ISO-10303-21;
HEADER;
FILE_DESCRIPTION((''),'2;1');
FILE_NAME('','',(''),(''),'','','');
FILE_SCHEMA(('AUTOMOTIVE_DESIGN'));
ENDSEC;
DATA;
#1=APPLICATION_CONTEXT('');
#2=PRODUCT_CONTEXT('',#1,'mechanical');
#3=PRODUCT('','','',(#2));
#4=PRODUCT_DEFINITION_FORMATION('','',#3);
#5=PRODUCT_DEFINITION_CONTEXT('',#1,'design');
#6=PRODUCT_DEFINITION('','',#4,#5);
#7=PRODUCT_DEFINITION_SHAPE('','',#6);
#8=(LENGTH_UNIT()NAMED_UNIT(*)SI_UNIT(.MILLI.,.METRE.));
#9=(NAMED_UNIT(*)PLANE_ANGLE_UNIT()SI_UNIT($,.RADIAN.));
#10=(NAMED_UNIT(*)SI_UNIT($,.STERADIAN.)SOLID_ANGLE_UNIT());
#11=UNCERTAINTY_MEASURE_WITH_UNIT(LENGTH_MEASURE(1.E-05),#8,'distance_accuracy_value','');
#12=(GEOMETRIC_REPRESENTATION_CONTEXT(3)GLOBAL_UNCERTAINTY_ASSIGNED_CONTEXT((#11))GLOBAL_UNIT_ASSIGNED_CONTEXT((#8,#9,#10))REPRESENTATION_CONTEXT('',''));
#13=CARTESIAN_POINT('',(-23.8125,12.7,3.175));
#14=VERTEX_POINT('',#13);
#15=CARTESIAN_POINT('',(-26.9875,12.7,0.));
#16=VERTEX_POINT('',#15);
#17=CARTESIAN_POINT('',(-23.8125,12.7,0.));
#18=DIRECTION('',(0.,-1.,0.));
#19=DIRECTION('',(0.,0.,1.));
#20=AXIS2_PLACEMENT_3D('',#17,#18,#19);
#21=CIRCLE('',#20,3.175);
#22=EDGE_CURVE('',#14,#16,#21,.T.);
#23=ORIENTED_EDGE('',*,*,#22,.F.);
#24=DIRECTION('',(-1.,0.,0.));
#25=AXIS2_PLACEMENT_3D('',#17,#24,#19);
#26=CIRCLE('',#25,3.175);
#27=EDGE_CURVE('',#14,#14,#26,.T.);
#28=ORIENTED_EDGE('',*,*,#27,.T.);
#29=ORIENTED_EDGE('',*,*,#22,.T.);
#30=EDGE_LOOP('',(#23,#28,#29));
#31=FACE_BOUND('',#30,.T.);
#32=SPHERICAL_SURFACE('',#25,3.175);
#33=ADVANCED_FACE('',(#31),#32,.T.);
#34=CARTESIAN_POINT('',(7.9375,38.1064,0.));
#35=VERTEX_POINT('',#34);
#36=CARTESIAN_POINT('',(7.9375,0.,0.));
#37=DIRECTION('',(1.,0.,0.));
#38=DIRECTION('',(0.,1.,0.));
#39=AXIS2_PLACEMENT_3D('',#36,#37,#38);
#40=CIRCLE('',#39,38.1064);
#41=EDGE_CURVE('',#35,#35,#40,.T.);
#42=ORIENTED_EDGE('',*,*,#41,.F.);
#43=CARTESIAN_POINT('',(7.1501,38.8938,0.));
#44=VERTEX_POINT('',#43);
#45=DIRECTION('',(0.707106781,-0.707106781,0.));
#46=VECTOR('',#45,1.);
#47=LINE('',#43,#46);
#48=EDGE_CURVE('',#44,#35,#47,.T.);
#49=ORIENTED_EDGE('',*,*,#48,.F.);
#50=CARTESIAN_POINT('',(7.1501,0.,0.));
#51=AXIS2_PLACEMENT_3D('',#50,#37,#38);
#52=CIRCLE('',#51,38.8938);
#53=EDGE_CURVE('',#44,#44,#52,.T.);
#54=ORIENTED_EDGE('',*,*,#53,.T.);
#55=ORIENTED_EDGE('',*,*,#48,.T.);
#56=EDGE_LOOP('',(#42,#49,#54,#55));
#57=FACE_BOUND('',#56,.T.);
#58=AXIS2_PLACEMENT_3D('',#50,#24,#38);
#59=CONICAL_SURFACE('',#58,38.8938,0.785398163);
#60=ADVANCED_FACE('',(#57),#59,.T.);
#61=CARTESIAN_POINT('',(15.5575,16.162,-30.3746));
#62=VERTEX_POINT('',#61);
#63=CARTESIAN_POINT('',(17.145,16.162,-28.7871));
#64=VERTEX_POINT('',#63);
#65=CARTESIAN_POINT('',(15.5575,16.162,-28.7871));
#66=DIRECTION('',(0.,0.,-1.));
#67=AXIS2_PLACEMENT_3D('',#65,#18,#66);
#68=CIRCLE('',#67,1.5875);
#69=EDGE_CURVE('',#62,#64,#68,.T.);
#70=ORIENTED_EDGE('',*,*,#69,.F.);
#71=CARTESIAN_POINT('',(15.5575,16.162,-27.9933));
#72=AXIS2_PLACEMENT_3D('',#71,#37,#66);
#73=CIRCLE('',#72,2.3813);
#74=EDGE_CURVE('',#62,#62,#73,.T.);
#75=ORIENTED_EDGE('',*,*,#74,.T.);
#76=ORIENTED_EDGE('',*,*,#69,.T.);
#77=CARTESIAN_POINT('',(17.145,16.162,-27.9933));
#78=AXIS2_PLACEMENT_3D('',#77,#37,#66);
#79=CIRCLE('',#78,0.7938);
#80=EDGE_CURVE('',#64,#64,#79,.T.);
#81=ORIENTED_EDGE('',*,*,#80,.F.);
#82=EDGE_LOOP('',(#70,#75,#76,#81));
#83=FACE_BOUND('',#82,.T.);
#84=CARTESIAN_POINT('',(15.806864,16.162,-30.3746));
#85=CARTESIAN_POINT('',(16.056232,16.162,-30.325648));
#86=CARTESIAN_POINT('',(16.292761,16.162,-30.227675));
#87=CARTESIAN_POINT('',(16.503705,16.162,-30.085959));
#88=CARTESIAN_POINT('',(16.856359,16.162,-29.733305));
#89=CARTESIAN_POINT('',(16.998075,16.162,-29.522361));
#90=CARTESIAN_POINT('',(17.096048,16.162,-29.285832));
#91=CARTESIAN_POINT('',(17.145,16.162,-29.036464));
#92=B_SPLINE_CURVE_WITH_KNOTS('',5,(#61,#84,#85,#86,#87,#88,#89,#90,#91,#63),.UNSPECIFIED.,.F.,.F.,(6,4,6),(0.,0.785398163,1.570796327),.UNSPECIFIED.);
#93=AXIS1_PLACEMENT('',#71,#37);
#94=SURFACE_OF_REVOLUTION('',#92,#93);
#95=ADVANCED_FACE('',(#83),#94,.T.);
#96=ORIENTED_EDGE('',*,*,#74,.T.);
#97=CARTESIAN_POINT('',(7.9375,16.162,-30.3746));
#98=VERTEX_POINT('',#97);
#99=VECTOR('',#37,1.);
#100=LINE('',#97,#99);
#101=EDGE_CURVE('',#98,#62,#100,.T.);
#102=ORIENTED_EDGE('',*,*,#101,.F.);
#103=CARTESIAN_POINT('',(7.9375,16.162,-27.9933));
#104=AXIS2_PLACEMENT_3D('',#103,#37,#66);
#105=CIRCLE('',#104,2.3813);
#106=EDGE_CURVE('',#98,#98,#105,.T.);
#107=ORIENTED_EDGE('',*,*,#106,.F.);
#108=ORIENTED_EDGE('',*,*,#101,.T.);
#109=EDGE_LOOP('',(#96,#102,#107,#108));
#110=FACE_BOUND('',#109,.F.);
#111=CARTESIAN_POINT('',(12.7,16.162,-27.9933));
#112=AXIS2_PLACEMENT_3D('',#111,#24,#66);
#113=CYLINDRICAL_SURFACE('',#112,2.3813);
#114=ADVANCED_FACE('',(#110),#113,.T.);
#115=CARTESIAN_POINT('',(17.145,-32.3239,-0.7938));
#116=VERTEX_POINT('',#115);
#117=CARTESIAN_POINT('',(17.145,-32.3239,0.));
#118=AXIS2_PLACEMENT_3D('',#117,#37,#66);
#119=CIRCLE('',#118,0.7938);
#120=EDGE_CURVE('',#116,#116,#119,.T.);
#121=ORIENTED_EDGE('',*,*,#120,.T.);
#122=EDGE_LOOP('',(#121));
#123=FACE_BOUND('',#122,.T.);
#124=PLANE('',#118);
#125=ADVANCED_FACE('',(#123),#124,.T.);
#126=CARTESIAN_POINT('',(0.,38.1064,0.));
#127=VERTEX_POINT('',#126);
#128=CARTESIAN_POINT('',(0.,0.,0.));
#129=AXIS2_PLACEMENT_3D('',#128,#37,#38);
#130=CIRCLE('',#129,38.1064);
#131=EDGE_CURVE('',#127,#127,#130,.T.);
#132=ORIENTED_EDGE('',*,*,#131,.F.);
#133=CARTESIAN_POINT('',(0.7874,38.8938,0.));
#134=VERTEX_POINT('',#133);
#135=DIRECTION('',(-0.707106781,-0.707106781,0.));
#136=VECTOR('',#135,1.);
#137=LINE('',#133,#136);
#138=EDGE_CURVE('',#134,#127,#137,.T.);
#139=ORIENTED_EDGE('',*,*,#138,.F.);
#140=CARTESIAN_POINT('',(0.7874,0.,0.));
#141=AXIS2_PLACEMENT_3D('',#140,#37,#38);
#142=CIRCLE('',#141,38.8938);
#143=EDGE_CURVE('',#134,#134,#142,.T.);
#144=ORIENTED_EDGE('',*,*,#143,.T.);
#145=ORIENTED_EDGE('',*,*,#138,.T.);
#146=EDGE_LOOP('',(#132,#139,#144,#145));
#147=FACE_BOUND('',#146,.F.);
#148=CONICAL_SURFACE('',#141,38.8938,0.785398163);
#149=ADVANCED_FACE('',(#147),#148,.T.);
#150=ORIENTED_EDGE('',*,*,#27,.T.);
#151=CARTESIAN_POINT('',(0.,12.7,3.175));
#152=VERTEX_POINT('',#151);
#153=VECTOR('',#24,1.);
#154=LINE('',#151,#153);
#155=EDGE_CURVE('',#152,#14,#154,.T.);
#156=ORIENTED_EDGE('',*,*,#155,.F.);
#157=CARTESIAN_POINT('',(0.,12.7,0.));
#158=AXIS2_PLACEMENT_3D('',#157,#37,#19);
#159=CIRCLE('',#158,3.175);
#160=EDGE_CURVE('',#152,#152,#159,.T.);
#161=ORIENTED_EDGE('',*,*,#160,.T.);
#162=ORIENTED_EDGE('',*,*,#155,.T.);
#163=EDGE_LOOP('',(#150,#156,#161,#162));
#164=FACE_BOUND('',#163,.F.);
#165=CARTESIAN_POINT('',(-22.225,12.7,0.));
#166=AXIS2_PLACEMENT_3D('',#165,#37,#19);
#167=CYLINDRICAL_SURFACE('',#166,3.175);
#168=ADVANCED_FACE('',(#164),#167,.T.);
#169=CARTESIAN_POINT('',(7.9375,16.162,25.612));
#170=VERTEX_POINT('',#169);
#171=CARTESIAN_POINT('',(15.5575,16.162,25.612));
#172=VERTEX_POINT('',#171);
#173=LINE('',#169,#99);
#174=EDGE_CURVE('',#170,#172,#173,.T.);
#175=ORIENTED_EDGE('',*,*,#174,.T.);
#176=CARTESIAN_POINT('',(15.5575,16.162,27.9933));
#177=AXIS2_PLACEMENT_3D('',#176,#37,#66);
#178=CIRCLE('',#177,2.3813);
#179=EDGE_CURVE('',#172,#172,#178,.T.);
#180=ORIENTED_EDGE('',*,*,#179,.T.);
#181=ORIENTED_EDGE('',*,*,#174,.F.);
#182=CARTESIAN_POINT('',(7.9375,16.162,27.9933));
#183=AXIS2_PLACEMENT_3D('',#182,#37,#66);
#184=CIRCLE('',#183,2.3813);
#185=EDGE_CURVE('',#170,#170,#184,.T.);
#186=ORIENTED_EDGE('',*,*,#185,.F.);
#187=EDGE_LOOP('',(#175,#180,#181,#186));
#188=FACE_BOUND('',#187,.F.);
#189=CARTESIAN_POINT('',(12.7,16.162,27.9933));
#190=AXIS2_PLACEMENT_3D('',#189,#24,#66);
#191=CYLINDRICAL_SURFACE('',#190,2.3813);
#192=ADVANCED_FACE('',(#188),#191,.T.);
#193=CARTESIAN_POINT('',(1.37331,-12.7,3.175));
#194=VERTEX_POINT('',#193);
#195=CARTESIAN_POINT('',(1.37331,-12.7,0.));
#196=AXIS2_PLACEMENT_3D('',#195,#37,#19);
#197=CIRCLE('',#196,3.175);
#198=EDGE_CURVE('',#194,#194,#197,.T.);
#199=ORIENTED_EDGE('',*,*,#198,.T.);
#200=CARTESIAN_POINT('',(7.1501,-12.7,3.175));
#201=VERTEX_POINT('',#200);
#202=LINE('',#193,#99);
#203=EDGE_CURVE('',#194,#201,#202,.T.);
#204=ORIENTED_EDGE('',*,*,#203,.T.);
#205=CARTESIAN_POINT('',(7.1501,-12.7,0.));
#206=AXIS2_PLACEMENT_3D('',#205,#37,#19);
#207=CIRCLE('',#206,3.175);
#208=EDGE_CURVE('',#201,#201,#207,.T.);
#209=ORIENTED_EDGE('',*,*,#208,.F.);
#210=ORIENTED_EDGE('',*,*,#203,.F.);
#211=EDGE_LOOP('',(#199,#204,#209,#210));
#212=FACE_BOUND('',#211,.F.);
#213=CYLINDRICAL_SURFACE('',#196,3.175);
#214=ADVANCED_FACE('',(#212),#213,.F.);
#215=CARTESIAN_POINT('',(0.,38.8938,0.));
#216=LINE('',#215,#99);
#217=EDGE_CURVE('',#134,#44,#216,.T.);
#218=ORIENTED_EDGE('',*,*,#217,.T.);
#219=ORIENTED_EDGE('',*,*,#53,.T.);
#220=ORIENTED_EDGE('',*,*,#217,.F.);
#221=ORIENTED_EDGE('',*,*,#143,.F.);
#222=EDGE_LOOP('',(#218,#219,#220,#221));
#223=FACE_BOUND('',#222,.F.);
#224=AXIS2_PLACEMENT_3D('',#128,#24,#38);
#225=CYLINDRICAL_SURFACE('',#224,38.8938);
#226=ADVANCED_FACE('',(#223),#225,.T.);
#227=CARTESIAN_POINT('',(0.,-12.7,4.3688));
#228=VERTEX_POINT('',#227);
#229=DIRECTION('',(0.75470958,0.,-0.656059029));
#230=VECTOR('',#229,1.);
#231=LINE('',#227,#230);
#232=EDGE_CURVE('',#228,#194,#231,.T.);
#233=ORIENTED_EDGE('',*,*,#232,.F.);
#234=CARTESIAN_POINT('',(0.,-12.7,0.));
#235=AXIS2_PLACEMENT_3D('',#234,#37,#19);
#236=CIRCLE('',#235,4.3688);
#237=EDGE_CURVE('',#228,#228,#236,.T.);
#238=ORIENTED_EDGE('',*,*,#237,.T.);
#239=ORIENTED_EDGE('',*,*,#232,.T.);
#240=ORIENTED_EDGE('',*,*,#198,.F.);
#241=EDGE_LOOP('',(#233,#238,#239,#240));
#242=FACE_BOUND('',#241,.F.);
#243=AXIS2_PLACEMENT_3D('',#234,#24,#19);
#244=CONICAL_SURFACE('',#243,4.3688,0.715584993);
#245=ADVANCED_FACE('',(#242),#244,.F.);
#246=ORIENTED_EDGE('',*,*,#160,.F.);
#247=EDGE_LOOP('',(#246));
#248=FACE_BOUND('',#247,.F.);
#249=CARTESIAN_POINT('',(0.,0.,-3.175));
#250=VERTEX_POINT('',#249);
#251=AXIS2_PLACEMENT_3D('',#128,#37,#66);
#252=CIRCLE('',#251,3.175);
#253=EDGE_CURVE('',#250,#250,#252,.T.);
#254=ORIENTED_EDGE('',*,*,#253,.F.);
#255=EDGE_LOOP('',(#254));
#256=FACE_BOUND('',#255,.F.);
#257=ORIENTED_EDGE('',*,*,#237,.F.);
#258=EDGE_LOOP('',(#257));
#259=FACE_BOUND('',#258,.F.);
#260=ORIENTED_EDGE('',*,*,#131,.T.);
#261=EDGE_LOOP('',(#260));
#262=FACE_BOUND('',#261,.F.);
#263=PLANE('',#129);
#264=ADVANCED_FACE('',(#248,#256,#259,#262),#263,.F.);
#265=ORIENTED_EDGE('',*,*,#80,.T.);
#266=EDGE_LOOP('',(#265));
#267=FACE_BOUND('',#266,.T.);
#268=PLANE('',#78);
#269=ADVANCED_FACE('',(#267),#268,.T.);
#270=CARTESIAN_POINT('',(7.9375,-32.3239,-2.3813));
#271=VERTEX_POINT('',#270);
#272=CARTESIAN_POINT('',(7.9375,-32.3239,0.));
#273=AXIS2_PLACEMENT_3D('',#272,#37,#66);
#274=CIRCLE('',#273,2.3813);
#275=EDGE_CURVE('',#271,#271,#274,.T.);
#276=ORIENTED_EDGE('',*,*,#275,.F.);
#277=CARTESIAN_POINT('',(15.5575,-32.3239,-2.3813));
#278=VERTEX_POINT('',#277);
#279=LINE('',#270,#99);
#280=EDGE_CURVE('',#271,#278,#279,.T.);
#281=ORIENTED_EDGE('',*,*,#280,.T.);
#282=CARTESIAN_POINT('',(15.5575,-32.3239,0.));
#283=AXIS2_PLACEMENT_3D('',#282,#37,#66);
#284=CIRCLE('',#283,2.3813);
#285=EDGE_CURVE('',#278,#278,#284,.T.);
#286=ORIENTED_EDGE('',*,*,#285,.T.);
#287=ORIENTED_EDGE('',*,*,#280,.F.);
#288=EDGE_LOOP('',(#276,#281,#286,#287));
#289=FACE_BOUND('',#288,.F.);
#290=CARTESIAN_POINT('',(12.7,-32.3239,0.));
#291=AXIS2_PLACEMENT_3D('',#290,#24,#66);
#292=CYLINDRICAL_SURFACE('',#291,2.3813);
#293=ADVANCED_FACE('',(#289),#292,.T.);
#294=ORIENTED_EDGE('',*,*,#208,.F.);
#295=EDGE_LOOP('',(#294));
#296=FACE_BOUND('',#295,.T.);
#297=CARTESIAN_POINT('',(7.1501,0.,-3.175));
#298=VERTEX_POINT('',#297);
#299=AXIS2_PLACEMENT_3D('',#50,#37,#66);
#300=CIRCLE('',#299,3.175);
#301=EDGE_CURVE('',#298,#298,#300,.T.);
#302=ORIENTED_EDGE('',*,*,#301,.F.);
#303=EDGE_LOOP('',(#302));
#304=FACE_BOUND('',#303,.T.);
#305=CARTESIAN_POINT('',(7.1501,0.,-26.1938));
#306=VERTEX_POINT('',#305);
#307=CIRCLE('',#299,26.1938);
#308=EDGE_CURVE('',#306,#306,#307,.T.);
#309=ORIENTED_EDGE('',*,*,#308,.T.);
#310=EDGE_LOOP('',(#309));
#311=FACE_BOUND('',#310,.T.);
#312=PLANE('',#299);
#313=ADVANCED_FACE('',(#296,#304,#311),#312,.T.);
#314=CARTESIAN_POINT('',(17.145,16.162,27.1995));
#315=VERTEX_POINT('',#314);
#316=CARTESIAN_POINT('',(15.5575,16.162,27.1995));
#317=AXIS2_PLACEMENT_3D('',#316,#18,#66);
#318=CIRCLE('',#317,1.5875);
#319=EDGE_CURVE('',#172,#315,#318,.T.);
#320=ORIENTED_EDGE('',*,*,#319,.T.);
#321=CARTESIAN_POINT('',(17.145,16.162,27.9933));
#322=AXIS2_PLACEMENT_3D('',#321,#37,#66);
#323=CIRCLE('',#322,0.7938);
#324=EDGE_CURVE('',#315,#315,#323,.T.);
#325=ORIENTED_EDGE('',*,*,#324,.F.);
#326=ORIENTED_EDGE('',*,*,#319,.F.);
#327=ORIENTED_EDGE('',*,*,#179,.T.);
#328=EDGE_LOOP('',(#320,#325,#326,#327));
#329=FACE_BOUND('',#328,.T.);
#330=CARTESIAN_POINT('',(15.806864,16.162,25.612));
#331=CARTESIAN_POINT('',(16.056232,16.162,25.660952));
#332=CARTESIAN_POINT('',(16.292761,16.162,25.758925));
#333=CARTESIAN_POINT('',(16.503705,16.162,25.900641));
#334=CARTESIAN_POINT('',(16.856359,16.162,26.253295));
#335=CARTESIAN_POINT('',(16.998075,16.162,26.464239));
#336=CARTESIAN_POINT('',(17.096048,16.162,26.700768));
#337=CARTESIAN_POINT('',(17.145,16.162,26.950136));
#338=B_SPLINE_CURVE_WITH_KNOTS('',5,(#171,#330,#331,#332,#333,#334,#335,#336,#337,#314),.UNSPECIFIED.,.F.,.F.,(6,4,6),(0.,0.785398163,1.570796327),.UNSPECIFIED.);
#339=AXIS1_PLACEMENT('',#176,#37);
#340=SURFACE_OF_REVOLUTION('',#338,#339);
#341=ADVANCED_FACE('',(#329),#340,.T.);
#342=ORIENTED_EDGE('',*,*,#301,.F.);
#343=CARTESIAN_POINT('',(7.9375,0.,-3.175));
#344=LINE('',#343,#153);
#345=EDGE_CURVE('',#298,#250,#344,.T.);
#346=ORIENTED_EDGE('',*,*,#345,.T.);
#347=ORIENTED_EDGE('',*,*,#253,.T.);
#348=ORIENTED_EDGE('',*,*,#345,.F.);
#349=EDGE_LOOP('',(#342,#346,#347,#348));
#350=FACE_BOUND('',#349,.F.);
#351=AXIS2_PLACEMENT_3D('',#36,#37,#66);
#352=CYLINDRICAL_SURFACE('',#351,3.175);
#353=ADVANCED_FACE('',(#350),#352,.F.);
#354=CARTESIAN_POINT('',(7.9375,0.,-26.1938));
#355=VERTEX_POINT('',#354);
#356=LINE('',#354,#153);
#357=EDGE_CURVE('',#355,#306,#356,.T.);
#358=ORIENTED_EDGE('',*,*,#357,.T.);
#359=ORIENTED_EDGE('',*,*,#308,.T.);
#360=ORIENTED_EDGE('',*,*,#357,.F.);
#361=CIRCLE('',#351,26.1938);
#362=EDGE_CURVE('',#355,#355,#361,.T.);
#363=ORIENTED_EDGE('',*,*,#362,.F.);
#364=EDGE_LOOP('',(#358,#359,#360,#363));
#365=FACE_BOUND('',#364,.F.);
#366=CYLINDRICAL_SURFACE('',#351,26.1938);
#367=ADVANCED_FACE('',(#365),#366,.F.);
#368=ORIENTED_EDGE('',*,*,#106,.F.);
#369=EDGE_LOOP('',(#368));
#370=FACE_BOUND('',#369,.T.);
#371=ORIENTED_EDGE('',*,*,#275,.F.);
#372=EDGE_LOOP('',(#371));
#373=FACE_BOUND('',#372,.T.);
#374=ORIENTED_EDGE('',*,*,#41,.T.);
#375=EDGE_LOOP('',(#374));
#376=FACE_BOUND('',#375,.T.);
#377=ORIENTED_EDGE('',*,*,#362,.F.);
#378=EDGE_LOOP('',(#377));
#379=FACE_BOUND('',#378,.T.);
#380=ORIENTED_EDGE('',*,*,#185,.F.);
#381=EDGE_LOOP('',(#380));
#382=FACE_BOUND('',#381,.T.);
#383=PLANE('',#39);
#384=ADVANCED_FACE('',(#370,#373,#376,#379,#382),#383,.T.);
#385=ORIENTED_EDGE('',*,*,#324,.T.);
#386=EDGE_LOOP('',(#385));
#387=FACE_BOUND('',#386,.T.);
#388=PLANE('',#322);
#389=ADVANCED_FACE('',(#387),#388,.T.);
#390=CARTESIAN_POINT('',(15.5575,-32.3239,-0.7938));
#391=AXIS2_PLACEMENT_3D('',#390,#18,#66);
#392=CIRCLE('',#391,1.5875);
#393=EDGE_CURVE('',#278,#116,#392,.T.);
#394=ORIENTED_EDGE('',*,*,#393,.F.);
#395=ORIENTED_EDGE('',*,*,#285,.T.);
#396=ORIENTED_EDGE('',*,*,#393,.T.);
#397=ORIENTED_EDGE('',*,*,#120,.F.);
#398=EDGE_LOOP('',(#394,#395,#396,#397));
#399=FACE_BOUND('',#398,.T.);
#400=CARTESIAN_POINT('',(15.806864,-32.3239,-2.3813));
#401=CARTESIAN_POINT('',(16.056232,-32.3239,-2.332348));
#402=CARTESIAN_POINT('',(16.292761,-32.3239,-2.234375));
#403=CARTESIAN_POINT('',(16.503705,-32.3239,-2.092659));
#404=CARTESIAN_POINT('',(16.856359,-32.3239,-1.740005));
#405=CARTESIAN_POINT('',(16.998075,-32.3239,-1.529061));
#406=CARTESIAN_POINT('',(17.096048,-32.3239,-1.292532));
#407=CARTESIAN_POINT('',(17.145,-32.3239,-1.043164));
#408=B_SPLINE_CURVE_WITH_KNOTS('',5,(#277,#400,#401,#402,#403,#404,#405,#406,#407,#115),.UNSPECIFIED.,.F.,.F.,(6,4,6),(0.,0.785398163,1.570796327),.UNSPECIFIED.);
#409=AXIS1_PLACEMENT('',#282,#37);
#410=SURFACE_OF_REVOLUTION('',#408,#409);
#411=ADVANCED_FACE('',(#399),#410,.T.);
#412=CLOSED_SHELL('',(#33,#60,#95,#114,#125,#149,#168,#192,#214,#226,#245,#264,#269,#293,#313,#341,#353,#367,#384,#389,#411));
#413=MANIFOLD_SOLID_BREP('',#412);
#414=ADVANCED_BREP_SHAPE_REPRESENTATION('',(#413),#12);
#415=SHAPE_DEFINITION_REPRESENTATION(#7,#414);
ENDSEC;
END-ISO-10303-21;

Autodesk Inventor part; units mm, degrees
ref_plane "YZ Plane" through (0, 0, 0) normal (1, 0, 0) x (0, 1, 0)
ref_plane "XZ Plane" through (0, 0, 0) normal (0, 1, 0) x (-1, 0, 0)
ref_plane "XY Plane" through (0, 0, 0) normal (0, 0, 1) x (1, 0, 0)
sketch "Sketch1" plane through (0, 0, 0) normal (1, 0, 0) x (0, 1, 0)
  circle A0 centre (0, 0) radius 38.8938
  dimension "d0" = 77.7875
extrude "Extrusion1" add sketch "Sketch1" along normal blind 7.9375
chamfer "Chamfer1" distance 0.7874 angle 45 2 edges at (7.9375, -38.8938, 0) (0, -38.8938, 0)
sketch "Sketch2" plane through (7.9375, 0, 0) normal (1, 0, 0) x (0, 0, -1)
  circle A0 centre (0, 0) radius 3.175
  dimension "d6" = 6.35
extrude "Extrusion2" cut sketch "Sketch2" against normal blind 7.9375
sketch "Sketch3" plane through (0, 0, 0) normal (-1, 0, 0) x (0, 0, 1)
  line L0 (0, 0) -> (0, -12.7)
  dimension "d9" = 12.7
hole "Hole1" at (0, -12.7, 0) direction (1, 0, 0) diameter 6.35 end through all countersink diameter 8.7376 countersink angle 82
sketch "Sketch4" plane through (0, 0, 0) normal (-1, 0, 0) x (0, 0, 1)
  point P0 (0, 0)
sketch "Sketch5" plane through (7.9375, 0, 0) normal (1, 0, 0) x (0, 0, -1)
  circle A0 centre (0, 0) radius 26.1938
  dimension "d17" = 52.3875
extrude "Extrusion3" cut sketch "Sketch5" against normal blind 0.7874
sketch "Sketch6" plane through (0, 0, 0) normal (-1, 0, 0) x (0, 0, 1)
  line L0 (0, 0) -> (0, 12.7)
  circle A0 centre (0, 12.7) radius 3.175
  dimension "d20" = 12.7
  dimension "d21" = 6.35
extrude "Extrusion4" add sketch "Sketch6" along normal blind 22.225
sketch "Sketch7" plane through (-22.225, 12.7, 0) normal (-1, 0, 0) x (0, 0, 1)
  circle A0 centre (0, 0) radius 3.175 projected
  circle A1 centre (0, 0) radius 3.175
  point P0 (0, -12.7)
extrude "Extrusion5" add sketch "Sketch7" along normal blind 4.7625
fillet "Fillet1" radius 3.175 1 edges at (-26.9875, 12.7, -3.175)
sketch "Sketch8" plane through (7.9375, 0, 0) normal (1, 0, 0) x (0, 0, -1)
  circle A0 centre (0, -32.3239) radius 2.3813
  circle A1 centre (27.9933, 16.162) radius 2.3813
  circle A2 centre (-27.9933, 16.162) radius 2.3813
  point P0 (0, 0)
  dimension "d27" = 4.7625
  dimension "d30" = 360
extrude "Extrusion6" add sketch "Sketch8" along normal blind 4.7625
sketch "Sketch9" plane through (12.7, 16.162, -27.9933) normal (1, 0, 0) x (0, 0, -1)
  circle A0 centre (0, 0) radius 2.3813
  point P0 (-27.9933, -16.162)
extrude "Extrusion7" add sketch "Sketch9" along normal blind 4.445
fillet "Fillet2" radius 1.5875 1 edges at (17.145, 16.162, -25.6121)
sketch "Sketch10" plane through (12.7, 16.162, 27.9933) normal (1, 0, 0) x (0, 0, -1)
  circle A0 centre (0, 0) radius 2.3813 projected
  circle A1 centre (0, 0) radius 2.3813
  point P0 (27.9933, -16.162)
extrude "Extrusion8" add sketch "Sketch10" along normal blind 4.445
fillet "Fillet3" radius 1.5875 1 edges at (17.145, 16.162, 30.3746)
sketch "Sketch11" plane through (12.7, -32.3239, 0) normal (1, 0, 0) x (0, 0, -1)
  circle A0 centre (0, 0) radius 2.3813 projected
  circle A1 centre (0, 0) radius 2.3813
  point P0 (0, 32.3239)
extrude "Extrusion9" add sketch "Sketch11" along normal blind 4.445
fillet "Fillet4" radius 1.5875 1 edges at (17.145, -32.3239, 2.3813)
properties part number "idk"
